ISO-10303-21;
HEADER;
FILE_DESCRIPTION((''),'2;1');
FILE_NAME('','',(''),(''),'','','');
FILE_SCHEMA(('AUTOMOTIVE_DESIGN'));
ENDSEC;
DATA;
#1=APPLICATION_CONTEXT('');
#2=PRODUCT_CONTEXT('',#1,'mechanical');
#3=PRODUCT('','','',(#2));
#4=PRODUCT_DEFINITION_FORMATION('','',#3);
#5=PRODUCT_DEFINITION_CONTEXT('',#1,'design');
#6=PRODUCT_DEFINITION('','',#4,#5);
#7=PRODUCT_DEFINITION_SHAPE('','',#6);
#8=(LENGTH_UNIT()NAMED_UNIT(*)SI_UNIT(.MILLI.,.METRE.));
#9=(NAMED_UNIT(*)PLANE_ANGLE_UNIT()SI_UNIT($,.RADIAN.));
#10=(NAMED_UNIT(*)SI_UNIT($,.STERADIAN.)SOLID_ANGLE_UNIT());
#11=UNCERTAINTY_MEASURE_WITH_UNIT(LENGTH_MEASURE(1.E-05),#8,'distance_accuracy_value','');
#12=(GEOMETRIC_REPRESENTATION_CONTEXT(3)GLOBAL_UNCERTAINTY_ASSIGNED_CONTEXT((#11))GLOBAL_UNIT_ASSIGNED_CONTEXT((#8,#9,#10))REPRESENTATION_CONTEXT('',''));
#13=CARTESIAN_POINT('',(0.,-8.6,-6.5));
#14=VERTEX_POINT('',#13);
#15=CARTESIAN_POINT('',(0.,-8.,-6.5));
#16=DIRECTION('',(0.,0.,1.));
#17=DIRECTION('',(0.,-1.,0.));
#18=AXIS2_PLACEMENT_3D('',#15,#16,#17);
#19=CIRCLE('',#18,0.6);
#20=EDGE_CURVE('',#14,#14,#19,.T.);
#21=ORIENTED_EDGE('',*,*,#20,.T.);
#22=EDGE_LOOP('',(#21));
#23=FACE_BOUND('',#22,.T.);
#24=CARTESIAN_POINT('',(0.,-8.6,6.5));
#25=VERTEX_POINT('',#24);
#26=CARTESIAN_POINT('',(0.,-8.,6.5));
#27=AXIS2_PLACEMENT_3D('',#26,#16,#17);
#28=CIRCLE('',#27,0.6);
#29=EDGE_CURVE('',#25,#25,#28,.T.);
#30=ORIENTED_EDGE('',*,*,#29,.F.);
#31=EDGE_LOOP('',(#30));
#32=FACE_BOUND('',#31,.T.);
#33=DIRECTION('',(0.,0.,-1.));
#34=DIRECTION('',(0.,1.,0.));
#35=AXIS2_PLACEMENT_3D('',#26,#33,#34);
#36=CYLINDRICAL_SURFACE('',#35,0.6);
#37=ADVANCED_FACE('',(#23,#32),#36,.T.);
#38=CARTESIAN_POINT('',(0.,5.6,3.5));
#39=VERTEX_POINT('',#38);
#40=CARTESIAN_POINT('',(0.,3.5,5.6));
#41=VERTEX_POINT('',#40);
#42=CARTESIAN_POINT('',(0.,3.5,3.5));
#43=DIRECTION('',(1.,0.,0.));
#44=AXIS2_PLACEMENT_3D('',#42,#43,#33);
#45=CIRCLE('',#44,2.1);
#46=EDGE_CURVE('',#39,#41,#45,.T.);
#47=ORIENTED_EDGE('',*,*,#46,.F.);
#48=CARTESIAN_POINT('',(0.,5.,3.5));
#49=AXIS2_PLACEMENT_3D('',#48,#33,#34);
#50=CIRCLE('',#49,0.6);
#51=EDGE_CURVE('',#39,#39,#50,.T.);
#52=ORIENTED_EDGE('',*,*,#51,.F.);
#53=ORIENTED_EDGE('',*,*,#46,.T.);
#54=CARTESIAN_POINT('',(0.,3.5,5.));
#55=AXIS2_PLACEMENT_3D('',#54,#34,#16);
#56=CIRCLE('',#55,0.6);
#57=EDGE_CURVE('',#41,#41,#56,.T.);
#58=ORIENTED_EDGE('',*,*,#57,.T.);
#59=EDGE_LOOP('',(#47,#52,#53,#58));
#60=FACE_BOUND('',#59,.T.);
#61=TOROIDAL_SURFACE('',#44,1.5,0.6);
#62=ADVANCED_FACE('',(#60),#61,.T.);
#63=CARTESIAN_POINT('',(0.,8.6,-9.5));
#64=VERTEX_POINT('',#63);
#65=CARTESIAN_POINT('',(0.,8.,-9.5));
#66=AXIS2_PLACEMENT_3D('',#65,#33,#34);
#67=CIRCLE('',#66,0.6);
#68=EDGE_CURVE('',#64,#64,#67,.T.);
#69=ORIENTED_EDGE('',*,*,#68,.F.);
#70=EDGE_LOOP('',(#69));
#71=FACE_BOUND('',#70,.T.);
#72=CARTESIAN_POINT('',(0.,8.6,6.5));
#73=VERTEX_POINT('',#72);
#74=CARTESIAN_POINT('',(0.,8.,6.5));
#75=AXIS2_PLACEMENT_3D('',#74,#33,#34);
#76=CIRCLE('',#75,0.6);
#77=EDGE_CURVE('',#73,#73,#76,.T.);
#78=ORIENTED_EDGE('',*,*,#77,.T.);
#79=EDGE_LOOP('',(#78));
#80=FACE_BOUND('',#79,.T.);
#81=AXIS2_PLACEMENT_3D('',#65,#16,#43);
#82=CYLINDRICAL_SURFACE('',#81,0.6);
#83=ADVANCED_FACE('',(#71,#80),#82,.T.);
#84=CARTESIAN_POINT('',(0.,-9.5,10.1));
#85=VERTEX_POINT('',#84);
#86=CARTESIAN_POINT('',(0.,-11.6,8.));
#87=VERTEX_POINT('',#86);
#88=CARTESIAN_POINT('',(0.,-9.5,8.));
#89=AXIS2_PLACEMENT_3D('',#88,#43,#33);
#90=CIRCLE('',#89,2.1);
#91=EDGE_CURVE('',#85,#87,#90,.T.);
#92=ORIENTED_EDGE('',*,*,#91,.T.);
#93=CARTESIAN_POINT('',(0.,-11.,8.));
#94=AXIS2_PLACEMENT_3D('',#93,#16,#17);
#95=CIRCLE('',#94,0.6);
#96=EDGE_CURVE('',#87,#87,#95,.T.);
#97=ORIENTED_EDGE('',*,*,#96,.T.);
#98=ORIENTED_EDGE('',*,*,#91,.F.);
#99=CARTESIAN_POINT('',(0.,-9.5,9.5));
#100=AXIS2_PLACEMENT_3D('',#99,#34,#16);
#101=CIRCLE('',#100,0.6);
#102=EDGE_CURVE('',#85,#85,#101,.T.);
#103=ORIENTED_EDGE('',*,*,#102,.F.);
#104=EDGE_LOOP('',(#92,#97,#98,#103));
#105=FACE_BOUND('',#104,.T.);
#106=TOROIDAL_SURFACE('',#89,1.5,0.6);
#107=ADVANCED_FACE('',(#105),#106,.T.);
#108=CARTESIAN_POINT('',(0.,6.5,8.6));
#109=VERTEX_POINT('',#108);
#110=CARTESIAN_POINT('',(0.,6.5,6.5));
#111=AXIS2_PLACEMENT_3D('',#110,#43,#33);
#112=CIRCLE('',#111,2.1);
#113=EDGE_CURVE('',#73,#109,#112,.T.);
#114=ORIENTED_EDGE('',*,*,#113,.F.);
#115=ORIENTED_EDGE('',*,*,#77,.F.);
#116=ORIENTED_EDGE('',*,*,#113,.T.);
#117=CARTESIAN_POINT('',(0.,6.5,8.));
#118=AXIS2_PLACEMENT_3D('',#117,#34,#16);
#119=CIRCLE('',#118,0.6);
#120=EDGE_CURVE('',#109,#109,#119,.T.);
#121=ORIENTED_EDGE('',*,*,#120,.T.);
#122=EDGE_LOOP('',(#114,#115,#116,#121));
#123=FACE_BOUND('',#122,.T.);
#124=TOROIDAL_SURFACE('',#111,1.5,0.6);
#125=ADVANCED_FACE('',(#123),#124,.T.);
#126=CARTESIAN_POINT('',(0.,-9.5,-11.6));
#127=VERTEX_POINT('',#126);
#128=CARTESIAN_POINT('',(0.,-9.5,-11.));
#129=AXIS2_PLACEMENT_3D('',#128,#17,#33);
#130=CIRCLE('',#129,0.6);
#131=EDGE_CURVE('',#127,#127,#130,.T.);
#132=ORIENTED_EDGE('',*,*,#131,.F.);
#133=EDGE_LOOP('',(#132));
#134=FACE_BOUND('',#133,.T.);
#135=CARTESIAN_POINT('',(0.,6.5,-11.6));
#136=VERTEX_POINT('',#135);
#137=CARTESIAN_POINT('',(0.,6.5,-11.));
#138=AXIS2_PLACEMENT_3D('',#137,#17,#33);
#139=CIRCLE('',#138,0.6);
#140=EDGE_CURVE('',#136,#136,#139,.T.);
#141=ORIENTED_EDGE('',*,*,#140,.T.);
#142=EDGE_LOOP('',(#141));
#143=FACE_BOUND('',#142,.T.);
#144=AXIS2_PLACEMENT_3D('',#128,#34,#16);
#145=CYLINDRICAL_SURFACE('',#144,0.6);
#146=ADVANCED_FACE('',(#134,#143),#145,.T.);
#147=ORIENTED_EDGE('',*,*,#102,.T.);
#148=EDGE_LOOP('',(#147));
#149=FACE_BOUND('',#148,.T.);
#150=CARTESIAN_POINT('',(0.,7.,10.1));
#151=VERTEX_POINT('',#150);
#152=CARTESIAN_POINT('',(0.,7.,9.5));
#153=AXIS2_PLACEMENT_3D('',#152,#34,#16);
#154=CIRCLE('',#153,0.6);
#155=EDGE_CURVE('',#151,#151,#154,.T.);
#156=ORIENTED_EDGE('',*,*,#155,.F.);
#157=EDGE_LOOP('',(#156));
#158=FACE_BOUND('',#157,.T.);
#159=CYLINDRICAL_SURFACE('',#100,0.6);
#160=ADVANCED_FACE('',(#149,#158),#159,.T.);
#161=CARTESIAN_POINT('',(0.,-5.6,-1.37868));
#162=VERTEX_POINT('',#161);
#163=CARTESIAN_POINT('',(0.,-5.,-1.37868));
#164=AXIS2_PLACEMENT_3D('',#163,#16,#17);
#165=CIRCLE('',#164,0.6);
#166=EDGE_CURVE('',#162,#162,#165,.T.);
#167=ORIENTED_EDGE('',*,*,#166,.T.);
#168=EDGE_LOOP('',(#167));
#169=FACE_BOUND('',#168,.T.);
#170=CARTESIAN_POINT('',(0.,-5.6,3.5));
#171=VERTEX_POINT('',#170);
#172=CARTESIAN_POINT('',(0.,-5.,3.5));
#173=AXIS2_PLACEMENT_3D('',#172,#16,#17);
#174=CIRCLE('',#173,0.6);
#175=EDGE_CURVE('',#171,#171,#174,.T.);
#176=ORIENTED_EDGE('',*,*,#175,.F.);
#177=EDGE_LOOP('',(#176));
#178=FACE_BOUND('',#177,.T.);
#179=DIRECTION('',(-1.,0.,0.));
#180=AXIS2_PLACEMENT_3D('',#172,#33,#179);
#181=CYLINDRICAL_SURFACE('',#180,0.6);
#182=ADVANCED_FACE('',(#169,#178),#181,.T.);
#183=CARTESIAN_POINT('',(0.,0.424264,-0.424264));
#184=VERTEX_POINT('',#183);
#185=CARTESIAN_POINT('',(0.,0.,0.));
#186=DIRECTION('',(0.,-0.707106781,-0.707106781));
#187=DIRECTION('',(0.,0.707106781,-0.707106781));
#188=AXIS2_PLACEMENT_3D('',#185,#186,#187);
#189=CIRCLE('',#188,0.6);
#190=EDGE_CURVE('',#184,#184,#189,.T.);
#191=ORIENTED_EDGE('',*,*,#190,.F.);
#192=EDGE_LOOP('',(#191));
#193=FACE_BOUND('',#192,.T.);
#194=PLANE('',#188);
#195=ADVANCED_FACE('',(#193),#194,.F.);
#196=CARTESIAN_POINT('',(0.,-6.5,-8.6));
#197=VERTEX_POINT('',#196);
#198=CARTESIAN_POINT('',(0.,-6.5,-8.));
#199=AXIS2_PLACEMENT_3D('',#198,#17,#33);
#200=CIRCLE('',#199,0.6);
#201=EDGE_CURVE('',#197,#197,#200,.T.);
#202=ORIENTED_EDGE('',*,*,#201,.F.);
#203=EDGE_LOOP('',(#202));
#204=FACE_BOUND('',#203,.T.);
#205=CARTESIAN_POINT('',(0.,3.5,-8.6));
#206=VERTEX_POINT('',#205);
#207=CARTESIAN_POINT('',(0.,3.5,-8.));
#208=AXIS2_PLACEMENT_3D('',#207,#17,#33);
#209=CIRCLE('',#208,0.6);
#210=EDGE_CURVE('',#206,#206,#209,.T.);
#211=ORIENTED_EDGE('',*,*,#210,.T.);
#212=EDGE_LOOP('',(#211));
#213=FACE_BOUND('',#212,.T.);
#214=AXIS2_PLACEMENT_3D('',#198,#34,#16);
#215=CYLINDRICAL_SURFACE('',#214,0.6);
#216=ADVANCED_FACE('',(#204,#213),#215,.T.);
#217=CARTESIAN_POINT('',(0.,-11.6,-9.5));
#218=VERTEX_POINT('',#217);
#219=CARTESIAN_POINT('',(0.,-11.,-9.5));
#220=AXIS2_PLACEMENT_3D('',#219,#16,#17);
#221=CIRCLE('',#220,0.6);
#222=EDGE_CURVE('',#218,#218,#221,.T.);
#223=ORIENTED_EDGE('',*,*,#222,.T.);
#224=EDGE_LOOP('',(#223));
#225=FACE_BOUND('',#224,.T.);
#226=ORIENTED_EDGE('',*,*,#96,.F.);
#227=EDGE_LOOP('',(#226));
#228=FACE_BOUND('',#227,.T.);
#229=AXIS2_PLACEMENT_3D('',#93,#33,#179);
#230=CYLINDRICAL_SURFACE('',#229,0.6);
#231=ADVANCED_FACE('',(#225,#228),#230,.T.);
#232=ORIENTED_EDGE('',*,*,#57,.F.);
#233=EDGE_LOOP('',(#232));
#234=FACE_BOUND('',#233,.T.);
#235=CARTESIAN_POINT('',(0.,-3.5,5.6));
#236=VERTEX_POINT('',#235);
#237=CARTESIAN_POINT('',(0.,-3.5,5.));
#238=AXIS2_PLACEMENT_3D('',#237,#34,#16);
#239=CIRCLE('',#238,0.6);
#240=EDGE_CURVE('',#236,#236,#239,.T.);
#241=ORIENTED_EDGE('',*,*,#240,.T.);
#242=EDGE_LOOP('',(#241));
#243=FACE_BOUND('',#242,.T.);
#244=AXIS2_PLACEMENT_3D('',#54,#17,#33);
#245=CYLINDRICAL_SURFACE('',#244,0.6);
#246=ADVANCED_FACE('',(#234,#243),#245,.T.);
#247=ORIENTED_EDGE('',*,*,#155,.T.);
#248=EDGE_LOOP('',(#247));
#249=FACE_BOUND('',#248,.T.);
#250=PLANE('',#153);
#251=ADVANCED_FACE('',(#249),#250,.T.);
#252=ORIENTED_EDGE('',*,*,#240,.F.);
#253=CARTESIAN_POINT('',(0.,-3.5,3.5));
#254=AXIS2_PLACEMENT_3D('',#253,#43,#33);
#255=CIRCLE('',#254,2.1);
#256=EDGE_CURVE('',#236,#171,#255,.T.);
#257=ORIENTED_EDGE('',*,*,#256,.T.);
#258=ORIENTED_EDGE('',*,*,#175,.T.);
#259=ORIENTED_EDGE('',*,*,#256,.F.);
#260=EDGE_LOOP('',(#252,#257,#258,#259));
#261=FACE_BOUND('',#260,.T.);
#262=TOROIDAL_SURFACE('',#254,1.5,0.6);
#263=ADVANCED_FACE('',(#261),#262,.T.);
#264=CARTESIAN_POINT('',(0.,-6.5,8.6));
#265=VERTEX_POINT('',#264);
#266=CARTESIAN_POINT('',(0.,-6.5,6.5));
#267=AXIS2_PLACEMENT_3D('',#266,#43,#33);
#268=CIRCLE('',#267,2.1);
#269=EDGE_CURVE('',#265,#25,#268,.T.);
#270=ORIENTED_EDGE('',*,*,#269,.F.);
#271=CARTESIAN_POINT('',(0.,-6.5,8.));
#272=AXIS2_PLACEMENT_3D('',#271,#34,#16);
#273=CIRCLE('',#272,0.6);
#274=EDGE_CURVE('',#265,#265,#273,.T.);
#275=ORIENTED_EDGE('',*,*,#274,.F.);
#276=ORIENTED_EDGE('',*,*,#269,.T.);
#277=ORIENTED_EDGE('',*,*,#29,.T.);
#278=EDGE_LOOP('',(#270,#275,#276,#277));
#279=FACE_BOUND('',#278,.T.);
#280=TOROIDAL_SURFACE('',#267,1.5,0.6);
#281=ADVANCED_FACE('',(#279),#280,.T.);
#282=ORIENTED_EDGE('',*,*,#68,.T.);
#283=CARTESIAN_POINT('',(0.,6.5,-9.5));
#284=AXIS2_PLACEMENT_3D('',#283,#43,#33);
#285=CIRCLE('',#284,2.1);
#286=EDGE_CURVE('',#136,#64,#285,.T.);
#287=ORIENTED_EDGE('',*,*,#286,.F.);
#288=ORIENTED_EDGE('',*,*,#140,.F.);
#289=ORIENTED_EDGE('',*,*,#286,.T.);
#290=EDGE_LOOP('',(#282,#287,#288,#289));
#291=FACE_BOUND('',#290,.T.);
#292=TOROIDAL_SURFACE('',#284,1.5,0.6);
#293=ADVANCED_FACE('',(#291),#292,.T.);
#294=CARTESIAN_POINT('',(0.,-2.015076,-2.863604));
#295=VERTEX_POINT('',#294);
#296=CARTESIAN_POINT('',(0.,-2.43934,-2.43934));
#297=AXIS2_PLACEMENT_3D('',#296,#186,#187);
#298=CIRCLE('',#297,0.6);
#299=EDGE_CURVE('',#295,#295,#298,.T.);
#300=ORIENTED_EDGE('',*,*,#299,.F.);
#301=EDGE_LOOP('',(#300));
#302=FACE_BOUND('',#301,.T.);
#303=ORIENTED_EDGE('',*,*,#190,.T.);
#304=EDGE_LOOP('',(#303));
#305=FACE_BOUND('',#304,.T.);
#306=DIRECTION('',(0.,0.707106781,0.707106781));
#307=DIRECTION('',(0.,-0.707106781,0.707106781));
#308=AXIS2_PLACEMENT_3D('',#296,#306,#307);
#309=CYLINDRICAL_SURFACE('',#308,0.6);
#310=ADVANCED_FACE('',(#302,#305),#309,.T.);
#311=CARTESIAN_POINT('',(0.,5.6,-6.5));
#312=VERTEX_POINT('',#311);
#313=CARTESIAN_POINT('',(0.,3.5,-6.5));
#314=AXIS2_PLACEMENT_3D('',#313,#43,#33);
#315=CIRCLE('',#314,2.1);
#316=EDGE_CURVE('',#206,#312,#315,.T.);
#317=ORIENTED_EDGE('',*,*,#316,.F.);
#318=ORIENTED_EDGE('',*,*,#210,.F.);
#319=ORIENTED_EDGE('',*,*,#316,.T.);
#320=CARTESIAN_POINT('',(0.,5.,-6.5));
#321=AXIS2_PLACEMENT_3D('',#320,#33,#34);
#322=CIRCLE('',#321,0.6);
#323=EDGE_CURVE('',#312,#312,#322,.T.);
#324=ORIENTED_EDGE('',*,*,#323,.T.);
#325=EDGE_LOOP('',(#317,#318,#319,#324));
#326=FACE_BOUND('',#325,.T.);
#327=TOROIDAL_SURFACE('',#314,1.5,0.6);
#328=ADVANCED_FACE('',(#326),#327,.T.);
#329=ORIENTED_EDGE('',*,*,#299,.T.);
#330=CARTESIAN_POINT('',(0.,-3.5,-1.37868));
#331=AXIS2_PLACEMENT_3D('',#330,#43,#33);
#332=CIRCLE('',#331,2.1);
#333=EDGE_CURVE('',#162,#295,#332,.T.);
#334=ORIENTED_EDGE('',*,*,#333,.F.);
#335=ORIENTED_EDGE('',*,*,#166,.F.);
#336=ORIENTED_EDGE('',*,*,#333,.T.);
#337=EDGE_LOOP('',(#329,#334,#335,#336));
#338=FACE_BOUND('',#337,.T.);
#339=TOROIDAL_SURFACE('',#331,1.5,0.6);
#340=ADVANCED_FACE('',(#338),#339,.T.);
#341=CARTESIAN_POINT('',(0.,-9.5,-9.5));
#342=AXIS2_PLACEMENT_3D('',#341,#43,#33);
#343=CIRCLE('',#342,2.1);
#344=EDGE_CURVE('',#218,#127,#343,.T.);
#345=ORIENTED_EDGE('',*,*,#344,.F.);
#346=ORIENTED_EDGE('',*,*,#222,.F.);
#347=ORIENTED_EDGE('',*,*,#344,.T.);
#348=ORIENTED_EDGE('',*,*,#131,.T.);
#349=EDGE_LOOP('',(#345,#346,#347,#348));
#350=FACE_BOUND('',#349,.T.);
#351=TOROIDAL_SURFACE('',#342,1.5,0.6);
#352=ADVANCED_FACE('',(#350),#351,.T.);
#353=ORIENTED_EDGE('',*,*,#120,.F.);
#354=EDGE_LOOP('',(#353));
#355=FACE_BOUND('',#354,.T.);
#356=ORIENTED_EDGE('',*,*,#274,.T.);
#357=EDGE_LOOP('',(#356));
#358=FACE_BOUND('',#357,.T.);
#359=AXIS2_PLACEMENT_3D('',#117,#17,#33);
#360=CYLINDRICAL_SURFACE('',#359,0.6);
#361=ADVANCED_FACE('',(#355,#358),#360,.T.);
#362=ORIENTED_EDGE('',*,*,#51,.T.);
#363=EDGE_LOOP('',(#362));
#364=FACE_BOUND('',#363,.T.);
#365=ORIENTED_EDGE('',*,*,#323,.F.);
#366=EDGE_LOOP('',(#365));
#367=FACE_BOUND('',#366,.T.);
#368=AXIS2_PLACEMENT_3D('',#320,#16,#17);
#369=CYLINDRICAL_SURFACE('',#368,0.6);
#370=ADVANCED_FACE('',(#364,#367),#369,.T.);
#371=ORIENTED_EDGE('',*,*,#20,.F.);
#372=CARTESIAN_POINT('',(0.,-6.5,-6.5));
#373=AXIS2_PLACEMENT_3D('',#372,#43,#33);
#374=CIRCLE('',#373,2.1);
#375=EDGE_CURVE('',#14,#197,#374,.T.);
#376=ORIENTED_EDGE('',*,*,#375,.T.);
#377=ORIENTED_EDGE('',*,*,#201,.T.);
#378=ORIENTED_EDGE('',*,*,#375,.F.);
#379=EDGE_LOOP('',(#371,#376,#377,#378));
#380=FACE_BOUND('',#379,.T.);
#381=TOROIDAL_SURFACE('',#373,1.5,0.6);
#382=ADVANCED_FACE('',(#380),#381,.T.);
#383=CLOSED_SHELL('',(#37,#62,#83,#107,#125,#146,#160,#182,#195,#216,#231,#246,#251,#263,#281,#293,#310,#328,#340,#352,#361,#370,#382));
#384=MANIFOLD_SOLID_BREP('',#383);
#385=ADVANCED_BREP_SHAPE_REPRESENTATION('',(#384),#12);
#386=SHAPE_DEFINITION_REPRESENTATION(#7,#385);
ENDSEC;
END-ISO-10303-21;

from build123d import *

# Parameters (mm, degrees)
SKETCH_3_R = 0.6


with BuildPart() as part:
    # По траектории1: sweep along a path in Эскиз2
    with BuildLine(Plane(origin=(0, 0, 0), x_dir=(0, 0, -1), z_dir=(1, 0, 0))) as sweep_1_path:
        Line((0, 0), (2.439339828, -2.439339828))
        ThreePointArc((2.439339828, -2.439339828), (2.764498955, -4.074025149), (1.378679656, -5))
        Line((1.378679656, -5), (-3.5, -5))
        ThreePointArc((-3.5, -5), (-4.560660172, -4.560660172), (-5, -3.5))
        Line((-5, -3.5), (-5, 3.5))
        ThreePointArc((-5, 3.5), (-4.560660172, 4.560660172), (-3.5, 5))
        Line((-3.5, 5), (6.5, 5))
        ThreePointArc((6.5, 5), (7.560660172, 4.560660172), (8, 3.5))
        Line((8, 3.5), (8, -6.5))
        ThreePointArc((8, -6.5), (7.560660172, -7.560660172), (6.5, -8))
        Line((6.5, -8), (-6.5, -8))
        ThreePointArc((-6.5, -8), (-7.560660172, -7.560660172), (-8, -6.5))
        Line((-8, -6.5), (-8, 6.5))
        ThreePointArc((-8, 6.5), (-7.560660172, 7.560660172), (-6.5, 8))
        Line((-6.5, 8), (9.5, 8))
        ThreePointArc((9.5, 8), (10.560660172, 7.560660172), (11, 6.5))
        Line((11, 6.5), (11, -9.5))
        ThreePointArc((11, -9.5), (10.560660172, -10.560660172), (9.5, -11))
        Line((9.5, -11), (-8, -11))
        ThreePointArc((-8, -11), (-9.060660172, -10.560660172), (-9.5, -9.5))
        Line((-9.5, -9.5), (-9.5, 7))
    # Эскиз3 → По траектории1 (sweep)
    with BuildSketch(Plane(origin=(0, 7, 9.5), x_dir=(1, 0, 0), z_dir=(0, 1, 0))):
        Circle(SKETCH_3_R)
    sweep(path=sweep_1_path.line)


solid = part.part
